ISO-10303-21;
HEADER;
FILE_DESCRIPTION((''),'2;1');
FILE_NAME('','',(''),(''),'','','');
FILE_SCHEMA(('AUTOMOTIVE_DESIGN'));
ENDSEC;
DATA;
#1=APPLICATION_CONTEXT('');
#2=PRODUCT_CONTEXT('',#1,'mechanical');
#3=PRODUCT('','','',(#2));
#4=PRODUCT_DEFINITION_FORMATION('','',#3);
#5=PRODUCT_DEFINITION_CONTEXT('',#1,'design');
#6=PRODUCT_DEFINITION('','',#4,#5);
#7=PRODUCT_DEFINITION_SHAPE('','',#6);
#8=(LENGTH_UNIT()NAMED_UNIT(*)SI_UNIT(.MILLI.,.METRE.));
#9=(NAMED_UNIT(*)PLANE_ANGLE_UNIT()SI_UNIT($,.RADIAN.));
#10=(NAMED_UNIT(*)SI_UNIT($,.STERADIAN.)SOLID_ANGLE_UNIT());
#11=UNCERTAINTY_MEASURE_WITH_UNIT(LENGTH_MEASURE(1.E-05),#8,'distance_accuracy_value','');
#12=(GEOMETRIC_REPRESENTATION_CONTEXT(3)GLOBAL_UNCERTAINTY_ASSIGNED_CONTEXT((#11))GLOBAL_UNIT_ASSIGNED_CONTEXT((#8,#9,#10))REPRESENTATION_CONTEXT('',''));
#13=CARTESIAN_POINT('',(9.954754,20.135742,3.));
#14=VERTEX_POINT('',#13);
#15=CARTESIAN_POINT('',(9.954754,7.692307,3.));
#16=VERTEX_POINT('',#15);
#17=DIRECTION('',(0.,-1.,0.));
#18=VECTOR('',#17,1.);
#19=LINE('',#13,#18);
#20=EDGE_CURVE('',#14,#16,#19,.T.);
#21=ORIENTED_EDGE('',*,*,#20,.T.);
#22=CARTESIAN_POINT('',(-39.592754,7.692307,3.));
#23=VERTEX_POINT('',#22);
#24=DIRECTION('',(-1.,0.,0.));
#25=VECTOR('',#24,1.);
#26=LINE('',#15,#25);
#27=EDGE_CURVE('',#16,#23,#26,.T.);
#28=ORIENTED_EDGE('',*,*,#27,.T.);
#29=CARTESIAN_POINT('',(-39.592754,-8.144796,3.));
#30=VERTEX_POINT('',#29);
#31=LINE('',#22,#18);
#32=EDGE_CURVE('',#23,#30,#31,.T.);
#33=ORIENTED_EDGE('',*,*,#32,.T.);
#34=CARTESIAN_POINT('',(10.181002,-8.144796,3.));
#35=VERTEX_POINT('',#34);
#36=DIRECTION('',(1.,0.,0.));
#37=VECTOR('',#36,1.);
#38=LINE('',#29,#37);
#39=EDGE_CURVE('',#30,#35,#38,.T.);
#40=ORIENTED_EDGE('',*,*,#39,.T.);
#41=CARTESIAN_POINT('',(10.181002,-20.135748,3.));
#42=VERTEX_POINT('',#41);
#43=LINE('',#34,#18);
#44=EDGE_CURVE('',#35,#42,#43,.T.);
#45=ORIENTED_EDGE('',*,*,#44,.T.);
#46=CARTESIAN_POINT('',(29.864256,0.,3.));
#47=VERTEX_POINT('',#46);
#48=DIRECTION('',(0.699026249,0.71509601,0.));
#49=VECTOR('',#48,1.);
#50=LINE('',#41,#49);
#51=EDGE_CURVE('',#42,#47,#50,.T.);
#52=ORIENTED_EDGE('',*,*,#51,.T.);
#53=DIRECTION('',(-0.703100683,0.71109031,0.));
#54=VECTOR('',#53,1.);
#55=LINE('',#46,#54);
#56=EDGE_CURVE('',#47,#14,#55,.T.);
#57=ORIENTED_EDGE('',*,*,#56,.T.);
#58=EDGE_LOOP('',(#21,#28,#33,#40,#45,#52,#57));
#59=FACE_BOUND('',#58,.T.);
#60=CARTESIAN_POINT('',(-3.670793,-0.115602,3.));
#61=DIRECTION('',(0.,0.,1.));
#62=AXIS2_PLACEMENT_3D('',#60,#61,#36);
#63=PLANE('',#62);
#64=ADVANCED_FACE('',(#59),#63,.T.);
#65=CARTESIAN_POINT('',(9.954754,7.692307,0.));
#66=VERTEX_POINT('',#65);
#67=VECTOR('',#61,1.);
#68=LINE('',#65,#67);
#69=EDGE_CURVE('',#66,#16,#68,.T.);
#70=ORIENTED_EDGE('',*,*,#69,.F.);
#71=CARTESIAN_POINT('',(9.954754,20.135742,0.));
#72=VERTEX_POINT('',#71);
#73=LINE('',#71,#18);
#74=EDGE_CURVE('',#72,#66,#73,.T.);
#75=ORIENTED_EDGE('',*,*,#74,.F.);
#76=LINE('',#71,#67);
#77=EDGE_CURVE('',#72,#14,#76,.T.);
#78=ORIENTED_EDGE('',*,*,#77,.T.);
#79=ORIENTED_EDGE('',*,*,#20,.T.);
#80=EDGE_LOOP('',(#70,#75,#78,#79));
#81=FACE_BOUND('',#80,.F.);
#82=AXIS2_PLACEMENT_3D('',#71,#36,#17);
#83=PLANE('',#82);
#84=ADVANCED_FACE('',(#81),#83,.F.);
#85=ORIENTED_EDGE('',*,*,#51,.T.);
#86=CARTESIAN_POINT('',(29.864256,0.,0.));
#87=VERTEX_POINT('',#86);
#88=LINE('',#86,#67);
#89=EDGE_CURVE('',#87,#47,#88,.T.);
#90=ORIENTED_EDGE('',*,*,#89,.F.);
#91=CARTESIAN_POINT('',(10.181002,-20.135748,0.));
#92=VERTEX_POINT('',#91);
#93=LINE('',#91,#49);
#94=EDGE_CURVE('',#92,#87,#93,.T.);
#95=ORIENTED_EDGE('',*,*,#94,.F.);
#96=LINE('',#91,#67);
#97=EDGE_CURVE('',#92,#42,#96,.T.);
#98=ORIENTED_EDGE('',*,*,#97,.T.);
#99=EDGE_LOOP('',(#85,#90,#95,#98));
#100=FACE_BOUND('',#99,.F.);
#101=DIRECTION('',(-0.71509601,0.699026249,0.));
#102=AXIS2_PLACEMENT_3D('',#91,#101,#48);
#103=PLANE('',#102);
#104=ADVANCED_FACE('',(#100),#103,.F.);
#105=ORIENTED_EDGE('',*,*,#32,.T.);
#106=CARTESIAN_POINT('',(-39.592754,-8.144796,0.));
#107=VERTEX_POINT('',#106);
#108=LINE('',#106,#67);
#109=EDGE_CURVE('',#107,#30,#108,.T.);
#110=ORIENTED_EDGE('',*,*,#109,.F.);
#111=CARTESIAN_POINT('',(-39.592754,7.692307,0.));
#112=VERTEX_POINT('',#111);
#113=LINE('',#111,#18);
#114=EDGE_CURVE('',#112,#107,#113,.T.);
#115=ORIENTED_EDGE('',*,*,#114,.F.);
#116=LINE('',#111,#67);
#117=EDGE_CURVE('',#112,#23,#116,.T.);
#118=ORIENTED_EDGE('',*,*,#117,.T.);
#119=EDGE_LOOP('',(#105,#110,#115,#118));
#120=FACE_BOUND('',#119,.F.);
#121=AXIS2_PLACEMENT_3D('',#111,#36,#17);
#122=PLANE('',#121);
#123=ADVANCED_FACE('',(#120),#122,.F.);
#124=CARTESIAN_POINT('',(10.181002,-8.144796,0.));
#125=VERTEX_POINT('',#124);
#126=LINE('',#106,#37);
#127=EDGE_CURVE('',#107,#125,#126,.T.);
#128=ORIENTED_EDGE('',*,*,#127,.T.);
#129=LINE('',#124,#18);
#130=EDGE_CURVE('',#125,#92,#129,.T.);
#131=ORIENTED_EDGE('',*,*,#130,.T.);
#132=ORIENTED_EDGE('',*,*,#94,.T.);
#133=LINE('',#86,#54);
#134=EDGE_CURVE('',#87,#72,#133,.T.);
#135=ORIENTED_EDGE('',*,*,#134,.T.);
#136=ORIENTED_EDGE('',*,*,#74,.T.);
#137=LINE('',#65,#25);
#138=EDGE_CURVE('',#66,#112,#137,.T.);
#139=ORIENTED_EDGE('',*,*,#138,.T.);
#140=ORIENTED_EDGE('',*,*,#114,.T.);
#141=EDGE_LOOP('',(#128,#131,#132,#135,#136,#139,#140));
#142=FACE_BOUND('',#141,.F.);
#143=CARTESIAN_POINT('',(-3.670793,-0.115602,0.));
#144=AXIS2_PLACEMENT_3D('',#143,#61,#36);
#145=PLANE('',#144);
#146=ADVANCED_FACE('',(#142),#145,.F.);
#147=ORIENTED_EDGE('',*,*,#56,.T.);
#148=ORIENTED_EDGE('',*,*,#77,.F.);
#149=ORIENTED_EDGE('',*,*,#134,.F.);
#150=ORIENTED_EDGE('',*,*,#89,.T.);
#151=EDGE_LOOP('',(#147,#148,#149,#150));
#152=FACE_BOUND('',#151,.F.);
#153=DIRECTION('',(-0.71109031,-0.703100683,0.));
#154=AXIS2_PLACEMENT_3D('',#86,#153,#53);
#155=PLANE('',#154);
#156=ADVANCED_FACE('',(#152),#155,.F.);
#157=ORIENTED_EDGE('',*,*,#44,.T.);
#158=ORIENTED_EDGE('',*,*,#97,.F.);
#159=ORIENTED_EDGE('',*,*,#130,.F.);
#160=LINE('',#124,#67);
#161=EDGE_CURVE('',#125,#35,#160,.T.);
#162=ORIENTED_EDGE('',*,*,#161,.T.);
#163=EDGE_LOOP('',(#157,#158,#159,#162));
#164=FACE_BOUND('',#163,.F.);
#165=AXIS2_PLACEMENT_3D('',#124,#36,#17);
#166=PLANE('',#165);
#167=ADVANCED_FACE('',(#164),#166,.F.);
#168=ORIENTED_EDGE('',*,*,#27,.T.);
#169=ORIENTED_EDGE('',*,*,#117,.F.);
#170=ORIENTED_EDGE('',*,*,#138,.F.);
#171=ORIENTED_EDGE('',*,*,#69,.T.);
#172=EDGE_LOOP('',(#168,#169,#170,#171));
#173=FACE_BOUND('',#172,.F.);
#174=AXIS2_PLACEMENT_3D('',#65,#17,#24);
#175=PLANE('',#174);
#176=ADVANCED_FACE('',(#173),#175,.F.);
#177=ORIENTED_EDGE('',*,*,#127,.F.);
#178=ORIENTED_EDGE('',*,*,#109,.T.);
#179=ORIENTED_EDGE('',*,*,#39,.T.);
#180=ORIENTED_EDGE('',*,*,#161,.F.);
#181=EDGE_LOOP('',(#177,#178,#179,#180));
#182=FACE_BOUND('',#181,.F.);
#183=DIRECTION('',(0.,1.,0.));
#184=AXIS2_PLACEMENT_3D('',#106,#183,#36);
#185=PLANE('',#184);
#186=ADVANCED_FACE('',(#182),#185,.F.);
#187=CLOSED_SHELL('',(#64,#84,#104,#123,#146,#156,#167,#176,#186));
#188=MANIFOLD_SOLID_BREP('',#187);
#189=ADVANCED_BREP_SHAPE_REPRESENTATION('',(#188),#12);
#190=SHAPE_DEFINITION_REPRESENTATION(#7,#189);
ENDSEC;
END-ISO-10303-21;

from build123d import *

# Parameters (mm, degrees)
PAD_DEPTH = 3


with BuildPart() as part:
    # Sketch → Pad (new body)
    with BuildSketch(Plane.XY):
        Polygon((29.864256, 0), (9.954754, 20.135742), (9.954754, 7.692307), (-39.592754, 7.692307), (-39.592754, -8.144796), (10.181002, -8.144796), (10.181002, -20.135748), align=None)
    extrude(amount=PAD_DEPTH)


solid = part.part
